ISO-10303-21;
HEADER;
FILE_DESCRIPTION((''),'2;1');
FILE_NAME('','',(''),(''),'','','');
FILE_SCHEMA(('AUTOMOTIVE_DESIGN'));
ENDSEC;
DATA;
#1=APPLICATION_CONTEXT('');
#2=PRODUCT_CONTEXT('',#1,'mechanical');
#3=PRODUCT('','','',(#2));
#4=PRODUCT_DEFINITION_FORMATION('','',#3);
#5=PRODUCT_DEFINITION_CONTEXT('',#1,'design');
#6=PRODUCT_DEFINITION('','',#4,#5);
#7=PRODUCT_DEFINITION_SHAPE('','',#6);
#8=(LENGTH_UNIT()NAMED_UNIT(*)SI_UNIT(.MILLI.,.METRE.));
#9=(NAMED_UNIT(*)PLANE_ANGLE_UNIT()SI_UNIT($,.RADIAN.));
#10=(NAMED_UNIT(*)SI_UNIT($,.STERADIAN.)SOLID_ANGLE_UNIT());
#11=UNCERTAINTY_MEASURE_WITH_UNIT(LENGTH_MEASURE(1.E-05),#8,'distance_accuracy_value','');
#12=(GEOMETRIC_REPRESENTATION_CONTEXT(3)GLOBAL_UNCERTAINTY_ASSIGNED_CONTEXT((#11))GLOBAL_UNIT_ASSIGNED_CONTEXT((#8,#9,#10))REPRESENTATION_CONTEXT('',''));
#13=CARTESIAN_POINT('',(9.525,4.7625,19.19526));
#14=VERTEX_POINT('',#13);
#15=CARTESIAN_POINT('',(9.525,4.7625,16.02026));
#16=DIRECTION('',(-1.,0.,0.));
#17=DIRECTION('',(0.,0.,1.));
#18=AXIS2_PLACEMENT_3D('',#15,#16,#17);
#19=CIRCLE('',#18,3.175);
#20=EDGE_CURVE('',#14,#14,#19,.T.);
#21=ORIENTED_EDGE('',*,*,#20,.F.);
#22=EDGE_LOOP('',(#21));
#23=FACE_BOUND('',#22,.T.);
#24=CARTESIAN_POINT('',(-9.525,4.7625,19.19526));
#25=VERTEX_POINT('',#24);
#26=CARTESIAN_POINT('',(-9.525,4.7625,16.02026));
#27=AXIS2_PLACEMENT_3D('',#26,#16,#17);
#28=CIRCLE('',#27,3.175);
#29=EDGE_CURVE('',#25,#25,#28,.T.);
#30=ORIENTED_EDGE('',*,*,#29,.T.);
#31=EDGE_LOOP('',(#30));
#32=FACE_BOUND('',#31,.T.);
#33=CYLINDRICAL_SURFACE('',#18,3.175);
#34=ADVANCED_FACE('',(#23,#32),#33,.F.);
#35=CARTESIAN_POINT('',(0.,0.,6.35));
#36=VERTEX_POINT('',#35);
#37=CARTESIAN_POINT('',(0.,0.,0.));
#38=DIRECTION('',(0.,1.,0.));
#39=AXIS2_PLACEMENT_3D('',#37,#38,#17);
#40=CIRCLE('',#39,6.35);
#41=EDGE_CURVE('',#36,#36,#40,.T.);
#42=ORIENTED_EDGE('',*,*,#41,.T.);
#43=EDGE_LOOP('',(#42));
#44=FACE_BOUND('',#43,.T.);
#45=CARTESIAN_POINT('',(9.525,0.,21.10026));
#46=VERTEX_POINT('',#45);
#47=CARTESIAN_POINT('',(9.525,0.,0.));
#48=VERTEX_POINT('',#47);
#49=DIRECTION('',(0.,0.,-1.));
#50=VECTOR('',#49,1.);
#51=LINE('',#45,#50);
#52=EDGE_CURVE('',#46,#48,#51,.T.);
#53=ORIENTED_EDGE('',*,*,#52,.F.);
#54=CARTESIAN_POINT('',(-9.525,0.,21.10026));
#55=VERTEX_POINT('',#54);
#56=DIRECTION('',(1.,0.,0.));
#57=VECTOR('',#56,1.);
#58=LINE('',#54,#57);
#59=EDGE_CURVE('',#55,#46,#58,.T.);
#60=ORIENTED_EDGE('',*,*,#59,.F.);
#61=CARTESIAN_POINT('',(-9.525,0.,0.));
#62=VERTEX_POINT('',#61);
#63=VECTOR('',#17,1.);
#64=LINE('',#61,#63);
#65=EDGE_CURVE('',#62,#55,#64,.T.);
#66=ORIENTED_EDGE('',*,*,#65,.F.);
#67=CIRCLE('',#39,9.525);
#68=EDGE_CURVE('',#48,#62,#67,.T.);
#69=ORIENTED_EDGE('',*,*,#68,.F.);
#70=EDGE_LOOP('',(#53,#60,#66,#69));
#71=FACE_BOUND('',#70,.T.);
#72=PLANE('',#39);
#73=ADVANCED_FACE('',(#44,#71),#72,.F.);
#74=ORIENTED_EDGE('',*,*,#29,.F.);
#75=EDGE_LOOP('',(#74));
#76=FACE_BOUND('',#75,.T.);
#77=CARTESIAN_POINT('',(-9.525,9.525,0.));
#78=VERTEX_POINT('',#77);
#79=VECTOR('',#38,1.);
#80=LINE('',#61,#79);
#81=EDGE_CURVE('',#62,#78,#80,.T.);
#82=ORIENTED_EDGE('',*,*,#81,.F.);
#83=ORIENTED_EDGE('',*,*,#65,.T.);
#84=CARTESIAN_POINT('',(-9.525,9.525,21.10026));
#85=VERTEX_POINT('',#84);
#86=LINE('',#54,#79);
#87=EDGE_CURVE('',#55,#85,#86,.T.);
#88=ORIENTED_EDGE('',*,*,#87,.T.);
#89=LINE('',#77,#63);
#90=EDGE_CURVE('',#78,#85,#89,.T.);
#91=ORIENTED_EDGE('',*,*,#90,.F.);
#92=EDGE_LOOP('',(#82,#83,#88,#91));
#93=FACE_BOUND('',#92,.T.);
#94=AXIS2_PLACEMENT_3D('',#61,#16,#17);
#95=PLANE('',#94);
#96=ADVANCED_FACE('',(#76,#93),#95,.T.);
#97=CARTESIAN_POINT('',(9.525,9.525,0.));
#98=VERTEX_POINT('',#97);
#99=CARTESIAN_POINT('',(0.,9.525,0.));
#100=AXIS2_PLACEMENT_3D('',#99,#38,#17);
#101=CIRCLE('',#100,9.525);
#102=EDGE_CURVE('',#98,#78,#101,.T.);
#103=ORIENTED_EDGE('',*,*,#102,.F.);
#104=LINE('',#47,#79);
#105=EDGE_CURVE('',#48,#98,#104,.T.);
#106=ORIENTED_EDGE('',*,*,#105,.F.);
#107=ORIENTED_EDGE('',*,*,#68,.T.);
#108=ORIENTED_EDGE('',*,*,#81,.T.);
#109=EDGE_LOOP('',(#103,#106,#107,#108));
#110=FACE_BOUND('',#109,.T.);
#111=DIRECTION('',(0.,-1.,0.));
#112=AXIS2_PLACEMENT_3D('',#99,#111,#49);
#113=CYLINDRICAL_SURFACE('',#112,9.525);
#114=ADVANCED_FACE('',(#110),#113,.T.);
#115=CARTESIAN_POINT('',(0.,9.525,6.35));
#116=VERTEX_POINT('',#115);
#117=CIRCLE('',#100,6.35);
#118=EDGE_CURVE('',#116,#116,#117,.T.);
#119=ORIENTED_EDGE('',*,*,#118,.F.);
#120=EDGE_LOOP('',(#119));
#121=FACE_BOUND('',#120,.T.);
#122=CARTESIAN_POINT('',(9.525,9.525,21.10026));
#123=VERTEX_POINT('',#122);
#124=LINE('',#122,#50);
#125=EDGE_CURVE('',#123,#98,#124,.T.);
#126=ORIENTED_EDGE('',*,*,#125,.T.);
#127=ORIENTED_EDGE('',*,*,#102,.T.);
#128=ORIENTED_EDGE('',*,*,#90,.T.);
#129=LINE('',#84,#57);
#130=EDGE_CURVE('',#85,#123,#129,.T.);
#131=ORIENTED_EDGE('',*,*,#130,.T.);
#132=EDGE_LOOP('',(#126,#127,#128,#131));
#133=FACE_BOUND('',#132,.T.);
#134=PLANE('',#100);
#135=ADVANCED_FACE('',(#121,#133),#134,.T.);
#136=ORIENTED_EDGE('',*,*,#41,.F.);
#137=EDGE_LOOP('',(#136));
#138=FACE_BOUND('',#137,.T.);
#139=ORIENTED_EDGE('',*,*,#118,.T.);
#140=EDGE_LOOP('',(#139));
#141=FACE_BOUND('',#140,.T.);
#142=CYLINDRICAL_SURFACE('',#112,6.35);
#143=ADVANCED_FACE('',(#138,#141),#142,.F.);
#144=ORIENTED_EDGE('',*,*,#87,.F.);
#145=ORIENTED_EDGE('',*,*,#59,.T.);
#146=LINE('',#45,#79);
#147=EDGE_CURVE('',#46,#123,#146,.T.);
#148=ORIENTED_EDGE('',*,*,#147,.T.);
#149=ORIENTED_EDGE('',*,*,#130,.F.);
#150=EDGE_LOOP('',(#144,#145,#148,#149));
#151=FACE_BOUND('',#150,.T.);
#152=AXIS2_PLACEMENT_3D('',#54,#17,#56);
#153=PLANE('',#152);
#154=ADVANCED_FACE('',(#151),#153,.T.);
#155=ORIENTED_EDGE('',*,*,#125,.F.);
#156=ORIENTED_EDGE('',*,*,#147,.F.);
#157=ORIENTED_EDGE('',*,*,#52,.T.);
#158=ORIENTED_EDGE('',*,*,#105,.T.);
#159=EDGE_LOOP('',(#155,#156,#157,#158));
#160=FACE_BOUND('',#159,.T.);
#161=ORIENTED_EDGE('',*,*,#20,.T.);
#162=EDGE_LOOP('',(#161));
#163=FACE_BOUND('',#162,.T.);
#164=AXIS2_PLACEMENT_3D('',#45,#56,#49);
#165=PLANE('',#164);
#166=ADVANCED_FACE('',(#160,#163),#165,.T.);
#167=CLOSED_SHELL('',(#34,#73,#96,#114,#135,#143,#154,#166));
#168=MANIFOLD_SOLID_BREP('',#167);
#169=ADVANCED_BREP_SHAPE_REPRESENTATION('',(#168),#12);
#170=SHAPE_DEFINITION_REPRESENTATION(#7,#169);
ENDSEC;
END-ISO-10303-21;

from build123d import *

# Parameters (mm, degrees)
SKETCH1_R           = 9.525
SKETCH1_R_2         = 6.35
BOSS_EXTRUDE1_DEPTH = 9.525
BOSS_EXTRUDE2_DEPTH = 9.525
SKETCH3_R           = 3.175
CUT_EXTRUDE1_DEPTH  = 20.05


with BuildPart() as part:
    # Sketch1 → Boss-Extrude1 (new body)
    with BuildSketch(Plane(origin=(0, 0, 0), x_dir=(1, 0, 0), z_dir=(0, 1, 0))):
        Circle(SKETCH1_R)
        Circle(SKETCH1_R_2, mode=Mode.SUBTRACT)
    extrude(amount=BOSS_EXTRUDE1_DEPTH)

    # Sketch2 → Boss-Extrude2 (add, through all)
    with BuildSketch(Plane(origin=(0, 9.525, 0), x_dir=(1, 0, 0), z_dir=(0, 1, 0))):
        with BuildLine():
            Line((-9.525, 0), (-9.525, -21.100260413))
            Line((-9.525, -21.100260413), (9.525, -21.100260413))
            Line((9.525, -21.100260413), (9.525, 0))
            ThreePointArc((9.525, 0), (0, -9.525), (-9.525, 0))
        make_face()
    extrude(amount=-BOSS_EXTRUDE2_DEPTH)

    # Sketch3 → Cut-Extrude1 (cut, through all)
    with BuildSketch(Plane.ZY.offset(9.525)):
        with Locations((16.020260413, 4.7625)):
            Circle(SKETCH3_R)
    extrude(amount=-CUT_EXTRUDE1_DEPTH, mode=Mode.SUBTRACT)


solid = part.part
